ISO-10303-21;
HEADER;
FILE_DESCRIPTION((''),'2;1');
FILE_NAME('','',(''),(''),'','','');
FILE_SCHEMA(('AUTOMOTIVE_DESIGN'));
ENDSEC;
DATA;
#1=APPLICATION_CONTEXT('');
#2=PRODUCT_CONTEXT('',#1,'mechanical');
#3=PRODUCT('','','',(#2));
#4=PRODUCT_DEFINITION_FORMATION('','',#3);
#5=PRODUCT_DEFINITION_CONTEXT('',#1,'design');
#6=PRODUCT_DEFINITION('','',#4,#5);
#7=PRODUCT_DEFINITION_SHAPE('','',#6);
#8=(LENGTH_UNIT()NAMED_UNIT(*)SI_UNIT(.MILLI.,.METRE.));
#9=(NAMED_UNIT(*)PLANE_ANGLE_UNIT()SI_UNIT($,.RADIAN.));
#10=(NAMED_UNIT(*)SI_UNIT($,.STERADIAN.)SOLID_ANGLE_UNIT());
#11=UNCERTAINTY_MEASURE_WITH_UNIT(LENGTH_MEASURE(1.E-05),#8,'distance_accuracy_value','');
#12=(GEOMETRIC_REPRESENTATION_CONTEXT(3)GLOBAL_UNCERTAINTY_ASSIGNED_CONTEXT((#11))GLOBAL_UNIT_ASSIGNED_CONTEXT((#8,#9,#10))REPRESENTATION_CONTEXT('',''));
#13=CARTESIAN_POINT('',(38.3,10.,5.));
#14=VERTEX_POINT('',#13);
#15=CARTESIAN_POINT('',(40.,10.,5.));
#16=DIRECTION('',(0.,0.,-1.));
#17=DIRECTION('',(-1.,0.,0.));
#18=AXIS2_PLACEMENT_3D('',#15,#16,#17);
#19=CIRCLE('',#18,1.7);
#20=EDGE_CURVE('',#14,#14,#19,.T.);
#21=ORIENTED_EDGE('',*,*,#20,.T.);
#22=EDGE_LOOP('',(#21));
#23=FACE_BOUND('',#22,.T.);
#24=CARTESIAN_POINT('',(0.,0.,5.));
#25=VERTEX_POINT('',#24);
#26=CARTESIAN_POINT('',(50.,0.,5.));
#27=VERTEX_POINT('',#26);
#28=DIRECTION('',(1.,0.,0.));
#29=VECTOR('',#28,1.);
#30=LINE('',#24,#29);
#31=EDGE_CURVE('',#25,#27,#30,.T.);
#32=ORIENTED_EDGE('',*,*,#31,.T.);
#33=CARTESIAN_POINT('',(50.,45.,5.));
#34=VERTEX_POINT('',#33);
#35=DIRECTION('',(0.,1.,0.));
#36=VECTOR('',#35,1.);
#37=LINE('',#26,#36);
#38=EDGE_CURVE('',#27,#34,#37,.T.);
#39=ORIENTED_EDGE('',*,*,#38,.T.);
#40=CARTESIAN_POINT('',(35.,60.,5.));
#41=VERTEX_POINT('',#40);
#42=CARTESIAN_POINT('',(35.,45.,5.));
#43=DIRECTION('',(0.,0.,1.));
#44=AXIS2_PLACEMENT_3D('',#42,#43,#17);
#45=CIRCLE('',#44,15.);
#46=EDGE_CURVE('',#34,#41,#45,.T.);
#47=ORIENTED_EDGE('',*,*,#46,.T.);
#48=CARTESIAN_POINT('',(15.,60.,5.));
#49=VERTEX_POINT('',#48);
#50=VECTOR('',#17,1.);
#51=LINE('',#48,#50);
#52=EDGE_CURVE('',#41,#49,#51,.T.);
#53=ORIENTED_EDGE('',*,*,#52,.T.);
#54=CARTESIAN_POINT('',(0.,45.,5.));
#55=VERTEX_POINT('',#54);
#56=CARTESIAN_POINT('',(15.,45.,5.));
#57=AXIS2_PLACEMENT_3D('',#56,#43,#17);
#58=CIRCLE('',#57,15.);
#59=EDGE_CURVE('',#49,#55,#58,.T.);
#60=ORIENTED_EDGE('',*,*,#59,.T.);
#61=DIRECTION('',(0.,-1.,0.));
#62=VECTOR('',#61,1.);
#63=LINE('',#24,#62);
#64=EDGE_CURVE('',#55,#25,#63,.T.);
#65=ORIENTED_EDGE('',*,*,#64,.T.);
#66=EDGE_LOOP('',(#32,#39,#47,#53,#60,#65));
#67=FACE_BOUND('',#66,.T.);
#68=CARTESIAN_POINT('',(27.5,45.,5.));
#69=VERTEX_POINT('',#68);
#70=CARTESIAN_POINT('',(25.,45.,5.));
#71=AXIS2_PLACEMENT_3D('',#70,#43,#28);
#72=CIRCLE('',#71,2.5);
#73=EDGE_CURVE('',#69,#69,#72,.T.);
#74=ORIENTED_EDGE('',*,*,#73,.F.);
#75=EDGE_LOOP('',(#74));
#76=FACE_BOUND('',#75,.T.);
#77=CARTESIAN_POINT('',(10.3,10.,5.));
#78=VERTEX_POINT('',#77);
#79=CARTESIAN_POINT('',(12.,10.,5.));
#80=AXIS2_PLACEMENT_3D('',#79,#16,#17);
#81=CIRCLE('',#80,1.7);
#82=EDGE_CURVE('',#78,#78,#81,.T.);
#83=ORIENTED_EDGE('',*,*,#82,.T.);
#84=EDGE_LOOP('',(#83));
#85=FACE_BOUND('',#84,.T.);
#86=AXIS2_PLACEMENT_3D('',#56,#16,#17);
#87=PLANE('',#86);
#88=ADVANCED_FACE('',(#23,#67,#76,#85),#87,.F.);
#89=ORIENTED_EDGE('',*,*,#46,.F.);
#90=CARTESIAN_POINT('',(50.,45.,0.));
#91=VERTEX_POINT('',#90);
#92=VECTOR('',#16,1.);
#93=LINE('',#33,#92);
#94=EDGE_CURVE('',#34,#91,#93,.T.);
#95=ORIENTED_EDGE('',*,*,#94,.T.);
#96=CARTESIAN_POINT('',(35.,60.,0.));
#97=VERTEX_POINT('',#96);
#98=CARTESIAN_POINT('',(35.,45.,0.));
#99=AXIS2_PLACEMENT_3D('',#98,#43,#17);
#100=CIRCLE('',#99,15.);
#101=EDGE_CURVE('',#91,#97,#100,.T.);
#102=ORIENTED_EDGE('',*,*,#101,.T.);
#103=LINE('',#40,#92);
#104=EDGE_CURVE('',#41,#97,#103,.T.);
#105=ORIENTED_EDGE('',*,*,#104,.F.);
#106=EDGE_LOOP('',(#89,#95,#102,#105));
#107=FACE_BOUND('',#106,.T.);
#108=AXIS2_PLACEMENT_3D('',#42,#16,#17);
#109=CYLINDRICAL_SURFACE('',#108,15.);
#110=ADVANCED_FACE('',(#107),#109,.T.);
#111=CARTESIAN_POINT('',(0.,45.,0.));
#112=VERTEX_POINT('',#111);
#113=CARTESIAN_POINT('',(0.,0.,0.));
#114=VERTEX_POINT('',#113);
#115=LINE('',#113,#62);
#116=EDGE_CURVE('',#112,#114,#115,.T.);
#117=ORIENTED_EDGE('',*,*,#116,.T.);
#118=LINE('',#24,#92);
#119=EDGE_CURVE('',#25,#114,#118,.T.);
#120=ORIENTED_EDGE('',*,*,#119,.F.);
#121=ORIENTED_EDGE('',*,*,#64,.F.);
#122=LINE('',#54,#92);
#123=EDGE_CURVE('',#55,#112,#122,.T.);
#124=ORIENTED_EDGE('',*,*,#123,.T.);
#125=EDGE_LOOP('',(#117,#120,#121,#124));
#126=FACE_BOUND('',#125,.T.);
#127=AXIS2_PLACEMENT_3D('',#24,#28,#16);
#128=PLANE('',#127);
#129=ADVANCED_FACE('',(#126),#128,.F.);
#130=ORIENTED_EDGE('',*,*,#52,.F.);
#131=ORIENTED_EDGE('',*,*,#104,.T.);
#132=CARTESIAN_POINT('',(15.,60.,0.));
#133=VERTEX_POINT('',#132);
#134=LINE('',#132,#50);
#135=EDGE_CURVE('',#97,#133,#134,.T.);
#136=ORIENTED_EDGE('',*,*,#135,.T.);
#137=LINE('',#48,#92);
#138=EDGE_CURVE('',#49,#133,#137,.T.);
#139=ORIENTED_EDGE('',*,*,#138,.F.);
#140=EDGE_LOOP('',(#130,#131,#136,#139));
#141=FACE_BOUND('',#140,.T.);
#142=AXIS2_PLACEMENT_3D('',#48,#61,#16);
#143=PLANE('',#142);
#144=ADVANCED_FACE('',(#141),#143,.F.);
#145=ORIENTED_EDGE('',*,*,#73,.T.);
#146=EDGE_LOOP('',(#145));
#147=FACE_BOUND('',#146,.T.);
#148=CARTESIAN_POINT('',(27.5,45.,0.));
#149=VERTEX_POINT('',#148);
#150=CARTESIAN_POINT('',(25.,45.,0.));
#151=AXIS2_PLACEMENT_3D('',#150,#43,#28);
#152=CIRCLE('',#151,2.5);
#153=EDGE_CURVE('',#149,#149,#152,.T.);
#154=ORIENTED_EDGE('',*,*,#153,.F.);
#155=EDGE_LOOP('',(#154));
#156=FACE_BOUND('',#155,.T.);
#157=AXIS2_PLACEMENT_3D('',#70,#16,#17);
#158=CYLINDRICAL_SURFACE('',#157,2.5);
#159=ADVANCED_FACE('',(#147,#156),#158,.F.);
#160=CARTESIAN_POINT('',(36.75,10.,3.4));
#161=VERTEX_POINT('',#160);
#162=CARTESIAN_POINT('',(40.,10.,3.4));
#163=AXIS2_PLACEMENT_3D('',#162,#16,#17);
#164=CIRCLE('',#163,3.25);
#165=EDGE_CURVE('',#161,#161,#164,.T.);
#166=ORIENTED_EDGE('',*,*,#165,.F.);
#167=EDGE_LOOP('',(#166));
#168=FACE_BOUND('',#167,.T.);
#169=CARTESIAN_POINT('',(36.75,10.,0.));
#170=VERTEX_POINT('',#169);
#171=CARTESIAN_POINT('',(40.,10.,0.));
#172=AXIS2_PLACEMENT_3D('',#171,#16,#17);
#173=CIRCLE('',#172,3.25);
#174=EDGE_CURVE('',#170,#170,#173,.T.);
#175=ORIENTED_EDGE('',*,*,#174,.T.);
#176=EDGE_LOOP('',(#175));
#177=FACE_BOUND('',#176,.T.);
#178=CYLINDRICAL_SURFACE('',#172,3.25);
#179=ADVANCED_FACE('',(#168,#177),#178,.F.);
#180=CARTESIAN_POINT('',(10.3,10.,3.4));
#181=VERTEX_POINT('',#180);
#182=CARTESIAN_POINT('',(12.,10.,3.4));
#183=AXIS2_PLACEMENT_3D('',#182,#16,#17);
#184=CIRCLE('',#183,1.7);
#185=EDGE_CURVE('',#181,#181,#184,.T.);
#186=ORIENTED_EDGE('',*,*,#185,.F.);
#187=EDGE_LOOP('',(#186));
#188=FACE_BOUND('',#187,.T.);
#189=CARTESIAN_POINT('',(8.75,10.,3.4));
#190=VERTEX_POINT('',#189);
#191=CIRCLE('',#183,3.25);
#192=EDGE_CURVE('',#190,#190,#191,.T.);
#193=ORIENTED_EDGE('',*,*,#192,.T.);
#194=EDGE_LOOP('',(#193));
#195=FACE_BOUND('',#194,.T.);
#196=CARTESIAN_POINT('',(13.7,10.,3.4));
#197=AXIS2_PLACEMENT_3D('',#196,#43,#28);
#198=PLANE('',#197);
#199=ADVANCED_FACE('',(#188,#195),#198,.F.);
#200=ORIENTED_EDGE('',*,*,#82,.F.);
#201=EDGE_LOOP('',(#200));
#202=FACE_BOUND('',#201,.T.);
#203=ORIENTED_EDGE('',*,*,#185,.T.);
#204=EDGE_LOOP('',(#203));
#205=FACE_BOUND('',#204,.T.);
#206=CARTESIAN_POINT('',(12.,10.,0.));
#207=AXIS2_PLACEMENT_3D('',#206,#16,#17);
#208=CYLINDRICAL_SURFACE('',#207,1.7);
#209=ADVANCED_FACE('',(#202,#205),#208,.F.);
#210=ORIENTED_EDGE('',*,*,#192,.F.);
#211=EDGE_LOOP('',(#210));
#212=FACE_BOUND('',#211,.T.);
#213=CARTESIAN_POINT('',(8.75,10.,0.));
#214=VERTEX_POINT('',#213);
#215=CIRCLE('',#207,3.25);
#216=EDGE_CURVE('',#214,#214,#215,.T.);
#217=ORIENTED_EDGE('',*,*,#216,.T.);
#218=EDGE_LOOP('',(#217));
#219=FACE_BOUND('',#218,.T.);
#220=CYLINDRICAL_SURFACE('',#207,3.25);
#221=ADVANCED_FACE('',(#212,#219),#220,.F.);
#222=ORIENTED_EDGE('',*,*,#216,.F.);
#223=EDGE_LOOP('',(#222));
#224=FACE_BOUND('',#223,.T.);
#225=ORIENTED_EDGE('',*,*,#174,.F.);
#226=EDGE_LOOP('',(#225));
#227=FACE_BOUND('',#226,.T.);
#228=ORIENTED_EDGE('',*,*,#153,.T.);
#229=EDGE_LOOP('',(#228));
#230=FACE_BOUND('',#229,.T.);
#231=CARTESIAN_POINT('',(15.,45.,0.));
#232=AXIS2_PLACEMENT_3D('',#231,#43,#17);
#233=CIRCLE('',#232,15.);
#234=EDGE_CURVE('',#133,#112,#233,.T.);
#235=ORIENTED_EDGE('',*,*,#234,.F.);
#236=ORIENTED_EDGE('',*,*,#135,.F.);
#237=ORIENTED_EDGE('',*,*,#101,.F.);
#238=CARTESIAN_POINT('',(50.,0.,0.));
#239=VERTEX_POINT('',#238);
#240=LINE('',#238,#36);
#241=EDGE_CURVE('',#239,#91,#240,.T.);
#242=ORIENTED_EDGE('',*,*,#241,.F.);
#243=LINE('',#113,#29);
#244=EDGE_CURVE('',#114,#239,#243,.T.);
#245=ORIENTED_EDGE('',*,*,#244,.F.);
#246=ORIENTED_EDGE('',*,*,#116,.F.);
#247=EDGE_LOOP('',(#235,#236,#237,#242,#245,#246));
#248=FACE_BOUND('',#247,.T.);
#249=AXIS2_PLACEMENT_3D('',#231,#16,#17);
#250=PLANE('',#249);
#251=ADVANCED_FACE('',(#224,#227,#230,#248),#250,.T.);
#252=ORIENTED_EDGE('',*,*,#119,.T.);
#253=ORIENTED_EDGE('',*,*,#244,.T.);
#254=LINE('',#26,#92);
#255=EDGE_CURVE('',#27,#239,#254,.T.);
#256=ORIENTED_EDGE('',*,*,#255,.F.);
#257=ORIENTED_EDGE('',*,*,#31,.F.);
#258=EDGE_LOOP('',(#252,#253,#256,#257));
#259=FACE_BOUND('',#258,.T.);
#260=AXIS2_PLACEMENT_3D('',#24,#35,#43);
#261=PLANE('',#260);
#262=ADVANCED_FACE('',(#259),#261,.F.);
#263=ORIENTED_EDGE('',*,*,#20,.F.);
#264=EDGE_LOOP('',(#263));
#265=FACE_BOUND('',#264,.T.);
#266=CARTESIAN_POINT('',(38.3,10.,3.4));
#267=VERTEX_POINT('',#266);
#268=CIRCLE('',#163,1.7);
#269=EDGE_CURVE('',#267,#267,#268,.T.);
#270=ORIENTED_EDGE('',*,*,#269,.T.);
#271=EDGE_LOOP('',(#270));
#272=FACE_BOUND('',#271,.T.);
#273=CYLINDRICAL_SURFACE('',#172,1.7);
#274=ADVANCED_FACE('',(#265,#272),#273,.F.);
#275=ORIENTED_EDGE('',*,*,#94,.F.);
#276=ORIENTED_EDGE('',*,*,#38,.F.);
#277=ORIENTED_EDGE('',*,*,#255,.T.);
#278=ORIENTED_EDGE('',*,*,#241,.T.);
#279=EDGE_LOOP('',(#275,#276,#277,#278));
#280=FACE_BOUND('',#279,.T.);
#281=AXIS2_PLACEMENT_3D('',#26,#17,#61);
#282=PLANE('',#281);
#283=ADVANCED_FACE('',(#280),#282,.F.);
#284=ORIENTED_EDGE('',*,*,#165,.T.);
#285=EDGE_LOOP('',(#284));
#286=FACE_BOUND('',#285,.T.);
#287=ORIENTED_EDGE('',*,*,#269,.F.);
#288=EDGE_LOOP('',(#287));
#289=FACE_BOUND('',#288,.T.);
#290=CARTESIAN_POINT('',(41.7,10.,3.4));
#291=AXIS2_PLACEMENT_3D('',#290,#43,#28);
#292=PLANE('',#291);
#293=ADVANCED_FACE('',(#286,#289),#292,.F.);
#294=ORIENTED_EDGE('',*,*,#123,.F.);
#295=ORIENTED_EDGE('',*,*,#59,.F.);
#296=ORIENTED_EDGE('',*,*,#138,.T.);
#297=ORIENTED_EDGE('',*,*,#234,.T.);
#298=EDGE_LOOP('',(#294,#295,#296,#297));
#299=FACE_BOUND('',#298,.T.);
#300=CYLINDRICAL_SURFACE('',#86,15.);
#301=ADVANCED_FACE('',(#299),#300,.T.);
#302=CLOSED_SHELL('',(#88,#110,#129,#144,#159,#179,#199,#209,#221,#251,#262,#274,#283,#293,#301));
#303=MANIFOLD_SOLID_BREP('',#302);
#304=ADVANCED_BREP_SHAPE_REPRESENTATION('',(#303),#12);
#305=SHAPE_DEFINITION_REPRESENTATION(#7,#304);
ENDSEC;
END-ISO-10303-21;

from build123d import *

# Parameters (mm, degrees)
SKIZZE1_R                                            = 2.5
AUFSATZ_LINEAR_AUSTRAGEN1_DEPTH                      = 5
STIRNSENKUNG_F_R_M3_ZYLINDERSCHRAUBE_MIT_D           = 3.4
STIRNSENKUNG_F_R_M3_ZYLINDERSCHRAUBE_MIT_CBORE_D     = 6.5
STIRNSENKUNG_F_R_M3_ZYLINDERSCHRAUBE_MIT_CBORE_DEPTH = 3.4


with BuildPart() as part:
    # Skizze1 → Aufsatz-Linear austragen1 (new body)
    with BuildSketch(Plane.XY):
        with BuildLine():
            Line((0, 0), (50, 0))
            Line((50, 0), (50, 45))
            ThreePointArc((50, 45), (45.606601718, 55.606601718), (35, 60))
            Line((35, 60), (15, 60))
            ThreePointArc((15, 60), (4.393398282, 55.606601718), (0, 45))
            Line((0, 45), (0, 0))
        make_face()
        with Locations((25, 45)):
            Circle(SKIZZE1_R, mode=Mode.SUBTRACT)
    extrude(amount=AUFSATZ_LINEAR_AUSTRAGEN1_DEPTH)

    # Stirnsenkung für M3 Zylinderschraube mit Innensechskant2 (through all)
    with Locations(Plane(origin=(0, 0, 0), x_dir=(-1, 0, 0), z_dir=(0, 0, -1))):
        with Locations((-40, 10), (-12, 10)):
            CounterBoreHole(STIRNSENKUNG_F_R_M3_ZYLINDERSCHRAUBE_MIT_D / 2, STIRNSENKUNG_F_R_M3_ZYLINDERSCHRAUBE_MIT_CBORE_D / 2, STIRNSENKUNG_F_R_M3_ZYLINDERSCHRAUBE_MIT_CBORE_DEPTH)


solid = part.part
